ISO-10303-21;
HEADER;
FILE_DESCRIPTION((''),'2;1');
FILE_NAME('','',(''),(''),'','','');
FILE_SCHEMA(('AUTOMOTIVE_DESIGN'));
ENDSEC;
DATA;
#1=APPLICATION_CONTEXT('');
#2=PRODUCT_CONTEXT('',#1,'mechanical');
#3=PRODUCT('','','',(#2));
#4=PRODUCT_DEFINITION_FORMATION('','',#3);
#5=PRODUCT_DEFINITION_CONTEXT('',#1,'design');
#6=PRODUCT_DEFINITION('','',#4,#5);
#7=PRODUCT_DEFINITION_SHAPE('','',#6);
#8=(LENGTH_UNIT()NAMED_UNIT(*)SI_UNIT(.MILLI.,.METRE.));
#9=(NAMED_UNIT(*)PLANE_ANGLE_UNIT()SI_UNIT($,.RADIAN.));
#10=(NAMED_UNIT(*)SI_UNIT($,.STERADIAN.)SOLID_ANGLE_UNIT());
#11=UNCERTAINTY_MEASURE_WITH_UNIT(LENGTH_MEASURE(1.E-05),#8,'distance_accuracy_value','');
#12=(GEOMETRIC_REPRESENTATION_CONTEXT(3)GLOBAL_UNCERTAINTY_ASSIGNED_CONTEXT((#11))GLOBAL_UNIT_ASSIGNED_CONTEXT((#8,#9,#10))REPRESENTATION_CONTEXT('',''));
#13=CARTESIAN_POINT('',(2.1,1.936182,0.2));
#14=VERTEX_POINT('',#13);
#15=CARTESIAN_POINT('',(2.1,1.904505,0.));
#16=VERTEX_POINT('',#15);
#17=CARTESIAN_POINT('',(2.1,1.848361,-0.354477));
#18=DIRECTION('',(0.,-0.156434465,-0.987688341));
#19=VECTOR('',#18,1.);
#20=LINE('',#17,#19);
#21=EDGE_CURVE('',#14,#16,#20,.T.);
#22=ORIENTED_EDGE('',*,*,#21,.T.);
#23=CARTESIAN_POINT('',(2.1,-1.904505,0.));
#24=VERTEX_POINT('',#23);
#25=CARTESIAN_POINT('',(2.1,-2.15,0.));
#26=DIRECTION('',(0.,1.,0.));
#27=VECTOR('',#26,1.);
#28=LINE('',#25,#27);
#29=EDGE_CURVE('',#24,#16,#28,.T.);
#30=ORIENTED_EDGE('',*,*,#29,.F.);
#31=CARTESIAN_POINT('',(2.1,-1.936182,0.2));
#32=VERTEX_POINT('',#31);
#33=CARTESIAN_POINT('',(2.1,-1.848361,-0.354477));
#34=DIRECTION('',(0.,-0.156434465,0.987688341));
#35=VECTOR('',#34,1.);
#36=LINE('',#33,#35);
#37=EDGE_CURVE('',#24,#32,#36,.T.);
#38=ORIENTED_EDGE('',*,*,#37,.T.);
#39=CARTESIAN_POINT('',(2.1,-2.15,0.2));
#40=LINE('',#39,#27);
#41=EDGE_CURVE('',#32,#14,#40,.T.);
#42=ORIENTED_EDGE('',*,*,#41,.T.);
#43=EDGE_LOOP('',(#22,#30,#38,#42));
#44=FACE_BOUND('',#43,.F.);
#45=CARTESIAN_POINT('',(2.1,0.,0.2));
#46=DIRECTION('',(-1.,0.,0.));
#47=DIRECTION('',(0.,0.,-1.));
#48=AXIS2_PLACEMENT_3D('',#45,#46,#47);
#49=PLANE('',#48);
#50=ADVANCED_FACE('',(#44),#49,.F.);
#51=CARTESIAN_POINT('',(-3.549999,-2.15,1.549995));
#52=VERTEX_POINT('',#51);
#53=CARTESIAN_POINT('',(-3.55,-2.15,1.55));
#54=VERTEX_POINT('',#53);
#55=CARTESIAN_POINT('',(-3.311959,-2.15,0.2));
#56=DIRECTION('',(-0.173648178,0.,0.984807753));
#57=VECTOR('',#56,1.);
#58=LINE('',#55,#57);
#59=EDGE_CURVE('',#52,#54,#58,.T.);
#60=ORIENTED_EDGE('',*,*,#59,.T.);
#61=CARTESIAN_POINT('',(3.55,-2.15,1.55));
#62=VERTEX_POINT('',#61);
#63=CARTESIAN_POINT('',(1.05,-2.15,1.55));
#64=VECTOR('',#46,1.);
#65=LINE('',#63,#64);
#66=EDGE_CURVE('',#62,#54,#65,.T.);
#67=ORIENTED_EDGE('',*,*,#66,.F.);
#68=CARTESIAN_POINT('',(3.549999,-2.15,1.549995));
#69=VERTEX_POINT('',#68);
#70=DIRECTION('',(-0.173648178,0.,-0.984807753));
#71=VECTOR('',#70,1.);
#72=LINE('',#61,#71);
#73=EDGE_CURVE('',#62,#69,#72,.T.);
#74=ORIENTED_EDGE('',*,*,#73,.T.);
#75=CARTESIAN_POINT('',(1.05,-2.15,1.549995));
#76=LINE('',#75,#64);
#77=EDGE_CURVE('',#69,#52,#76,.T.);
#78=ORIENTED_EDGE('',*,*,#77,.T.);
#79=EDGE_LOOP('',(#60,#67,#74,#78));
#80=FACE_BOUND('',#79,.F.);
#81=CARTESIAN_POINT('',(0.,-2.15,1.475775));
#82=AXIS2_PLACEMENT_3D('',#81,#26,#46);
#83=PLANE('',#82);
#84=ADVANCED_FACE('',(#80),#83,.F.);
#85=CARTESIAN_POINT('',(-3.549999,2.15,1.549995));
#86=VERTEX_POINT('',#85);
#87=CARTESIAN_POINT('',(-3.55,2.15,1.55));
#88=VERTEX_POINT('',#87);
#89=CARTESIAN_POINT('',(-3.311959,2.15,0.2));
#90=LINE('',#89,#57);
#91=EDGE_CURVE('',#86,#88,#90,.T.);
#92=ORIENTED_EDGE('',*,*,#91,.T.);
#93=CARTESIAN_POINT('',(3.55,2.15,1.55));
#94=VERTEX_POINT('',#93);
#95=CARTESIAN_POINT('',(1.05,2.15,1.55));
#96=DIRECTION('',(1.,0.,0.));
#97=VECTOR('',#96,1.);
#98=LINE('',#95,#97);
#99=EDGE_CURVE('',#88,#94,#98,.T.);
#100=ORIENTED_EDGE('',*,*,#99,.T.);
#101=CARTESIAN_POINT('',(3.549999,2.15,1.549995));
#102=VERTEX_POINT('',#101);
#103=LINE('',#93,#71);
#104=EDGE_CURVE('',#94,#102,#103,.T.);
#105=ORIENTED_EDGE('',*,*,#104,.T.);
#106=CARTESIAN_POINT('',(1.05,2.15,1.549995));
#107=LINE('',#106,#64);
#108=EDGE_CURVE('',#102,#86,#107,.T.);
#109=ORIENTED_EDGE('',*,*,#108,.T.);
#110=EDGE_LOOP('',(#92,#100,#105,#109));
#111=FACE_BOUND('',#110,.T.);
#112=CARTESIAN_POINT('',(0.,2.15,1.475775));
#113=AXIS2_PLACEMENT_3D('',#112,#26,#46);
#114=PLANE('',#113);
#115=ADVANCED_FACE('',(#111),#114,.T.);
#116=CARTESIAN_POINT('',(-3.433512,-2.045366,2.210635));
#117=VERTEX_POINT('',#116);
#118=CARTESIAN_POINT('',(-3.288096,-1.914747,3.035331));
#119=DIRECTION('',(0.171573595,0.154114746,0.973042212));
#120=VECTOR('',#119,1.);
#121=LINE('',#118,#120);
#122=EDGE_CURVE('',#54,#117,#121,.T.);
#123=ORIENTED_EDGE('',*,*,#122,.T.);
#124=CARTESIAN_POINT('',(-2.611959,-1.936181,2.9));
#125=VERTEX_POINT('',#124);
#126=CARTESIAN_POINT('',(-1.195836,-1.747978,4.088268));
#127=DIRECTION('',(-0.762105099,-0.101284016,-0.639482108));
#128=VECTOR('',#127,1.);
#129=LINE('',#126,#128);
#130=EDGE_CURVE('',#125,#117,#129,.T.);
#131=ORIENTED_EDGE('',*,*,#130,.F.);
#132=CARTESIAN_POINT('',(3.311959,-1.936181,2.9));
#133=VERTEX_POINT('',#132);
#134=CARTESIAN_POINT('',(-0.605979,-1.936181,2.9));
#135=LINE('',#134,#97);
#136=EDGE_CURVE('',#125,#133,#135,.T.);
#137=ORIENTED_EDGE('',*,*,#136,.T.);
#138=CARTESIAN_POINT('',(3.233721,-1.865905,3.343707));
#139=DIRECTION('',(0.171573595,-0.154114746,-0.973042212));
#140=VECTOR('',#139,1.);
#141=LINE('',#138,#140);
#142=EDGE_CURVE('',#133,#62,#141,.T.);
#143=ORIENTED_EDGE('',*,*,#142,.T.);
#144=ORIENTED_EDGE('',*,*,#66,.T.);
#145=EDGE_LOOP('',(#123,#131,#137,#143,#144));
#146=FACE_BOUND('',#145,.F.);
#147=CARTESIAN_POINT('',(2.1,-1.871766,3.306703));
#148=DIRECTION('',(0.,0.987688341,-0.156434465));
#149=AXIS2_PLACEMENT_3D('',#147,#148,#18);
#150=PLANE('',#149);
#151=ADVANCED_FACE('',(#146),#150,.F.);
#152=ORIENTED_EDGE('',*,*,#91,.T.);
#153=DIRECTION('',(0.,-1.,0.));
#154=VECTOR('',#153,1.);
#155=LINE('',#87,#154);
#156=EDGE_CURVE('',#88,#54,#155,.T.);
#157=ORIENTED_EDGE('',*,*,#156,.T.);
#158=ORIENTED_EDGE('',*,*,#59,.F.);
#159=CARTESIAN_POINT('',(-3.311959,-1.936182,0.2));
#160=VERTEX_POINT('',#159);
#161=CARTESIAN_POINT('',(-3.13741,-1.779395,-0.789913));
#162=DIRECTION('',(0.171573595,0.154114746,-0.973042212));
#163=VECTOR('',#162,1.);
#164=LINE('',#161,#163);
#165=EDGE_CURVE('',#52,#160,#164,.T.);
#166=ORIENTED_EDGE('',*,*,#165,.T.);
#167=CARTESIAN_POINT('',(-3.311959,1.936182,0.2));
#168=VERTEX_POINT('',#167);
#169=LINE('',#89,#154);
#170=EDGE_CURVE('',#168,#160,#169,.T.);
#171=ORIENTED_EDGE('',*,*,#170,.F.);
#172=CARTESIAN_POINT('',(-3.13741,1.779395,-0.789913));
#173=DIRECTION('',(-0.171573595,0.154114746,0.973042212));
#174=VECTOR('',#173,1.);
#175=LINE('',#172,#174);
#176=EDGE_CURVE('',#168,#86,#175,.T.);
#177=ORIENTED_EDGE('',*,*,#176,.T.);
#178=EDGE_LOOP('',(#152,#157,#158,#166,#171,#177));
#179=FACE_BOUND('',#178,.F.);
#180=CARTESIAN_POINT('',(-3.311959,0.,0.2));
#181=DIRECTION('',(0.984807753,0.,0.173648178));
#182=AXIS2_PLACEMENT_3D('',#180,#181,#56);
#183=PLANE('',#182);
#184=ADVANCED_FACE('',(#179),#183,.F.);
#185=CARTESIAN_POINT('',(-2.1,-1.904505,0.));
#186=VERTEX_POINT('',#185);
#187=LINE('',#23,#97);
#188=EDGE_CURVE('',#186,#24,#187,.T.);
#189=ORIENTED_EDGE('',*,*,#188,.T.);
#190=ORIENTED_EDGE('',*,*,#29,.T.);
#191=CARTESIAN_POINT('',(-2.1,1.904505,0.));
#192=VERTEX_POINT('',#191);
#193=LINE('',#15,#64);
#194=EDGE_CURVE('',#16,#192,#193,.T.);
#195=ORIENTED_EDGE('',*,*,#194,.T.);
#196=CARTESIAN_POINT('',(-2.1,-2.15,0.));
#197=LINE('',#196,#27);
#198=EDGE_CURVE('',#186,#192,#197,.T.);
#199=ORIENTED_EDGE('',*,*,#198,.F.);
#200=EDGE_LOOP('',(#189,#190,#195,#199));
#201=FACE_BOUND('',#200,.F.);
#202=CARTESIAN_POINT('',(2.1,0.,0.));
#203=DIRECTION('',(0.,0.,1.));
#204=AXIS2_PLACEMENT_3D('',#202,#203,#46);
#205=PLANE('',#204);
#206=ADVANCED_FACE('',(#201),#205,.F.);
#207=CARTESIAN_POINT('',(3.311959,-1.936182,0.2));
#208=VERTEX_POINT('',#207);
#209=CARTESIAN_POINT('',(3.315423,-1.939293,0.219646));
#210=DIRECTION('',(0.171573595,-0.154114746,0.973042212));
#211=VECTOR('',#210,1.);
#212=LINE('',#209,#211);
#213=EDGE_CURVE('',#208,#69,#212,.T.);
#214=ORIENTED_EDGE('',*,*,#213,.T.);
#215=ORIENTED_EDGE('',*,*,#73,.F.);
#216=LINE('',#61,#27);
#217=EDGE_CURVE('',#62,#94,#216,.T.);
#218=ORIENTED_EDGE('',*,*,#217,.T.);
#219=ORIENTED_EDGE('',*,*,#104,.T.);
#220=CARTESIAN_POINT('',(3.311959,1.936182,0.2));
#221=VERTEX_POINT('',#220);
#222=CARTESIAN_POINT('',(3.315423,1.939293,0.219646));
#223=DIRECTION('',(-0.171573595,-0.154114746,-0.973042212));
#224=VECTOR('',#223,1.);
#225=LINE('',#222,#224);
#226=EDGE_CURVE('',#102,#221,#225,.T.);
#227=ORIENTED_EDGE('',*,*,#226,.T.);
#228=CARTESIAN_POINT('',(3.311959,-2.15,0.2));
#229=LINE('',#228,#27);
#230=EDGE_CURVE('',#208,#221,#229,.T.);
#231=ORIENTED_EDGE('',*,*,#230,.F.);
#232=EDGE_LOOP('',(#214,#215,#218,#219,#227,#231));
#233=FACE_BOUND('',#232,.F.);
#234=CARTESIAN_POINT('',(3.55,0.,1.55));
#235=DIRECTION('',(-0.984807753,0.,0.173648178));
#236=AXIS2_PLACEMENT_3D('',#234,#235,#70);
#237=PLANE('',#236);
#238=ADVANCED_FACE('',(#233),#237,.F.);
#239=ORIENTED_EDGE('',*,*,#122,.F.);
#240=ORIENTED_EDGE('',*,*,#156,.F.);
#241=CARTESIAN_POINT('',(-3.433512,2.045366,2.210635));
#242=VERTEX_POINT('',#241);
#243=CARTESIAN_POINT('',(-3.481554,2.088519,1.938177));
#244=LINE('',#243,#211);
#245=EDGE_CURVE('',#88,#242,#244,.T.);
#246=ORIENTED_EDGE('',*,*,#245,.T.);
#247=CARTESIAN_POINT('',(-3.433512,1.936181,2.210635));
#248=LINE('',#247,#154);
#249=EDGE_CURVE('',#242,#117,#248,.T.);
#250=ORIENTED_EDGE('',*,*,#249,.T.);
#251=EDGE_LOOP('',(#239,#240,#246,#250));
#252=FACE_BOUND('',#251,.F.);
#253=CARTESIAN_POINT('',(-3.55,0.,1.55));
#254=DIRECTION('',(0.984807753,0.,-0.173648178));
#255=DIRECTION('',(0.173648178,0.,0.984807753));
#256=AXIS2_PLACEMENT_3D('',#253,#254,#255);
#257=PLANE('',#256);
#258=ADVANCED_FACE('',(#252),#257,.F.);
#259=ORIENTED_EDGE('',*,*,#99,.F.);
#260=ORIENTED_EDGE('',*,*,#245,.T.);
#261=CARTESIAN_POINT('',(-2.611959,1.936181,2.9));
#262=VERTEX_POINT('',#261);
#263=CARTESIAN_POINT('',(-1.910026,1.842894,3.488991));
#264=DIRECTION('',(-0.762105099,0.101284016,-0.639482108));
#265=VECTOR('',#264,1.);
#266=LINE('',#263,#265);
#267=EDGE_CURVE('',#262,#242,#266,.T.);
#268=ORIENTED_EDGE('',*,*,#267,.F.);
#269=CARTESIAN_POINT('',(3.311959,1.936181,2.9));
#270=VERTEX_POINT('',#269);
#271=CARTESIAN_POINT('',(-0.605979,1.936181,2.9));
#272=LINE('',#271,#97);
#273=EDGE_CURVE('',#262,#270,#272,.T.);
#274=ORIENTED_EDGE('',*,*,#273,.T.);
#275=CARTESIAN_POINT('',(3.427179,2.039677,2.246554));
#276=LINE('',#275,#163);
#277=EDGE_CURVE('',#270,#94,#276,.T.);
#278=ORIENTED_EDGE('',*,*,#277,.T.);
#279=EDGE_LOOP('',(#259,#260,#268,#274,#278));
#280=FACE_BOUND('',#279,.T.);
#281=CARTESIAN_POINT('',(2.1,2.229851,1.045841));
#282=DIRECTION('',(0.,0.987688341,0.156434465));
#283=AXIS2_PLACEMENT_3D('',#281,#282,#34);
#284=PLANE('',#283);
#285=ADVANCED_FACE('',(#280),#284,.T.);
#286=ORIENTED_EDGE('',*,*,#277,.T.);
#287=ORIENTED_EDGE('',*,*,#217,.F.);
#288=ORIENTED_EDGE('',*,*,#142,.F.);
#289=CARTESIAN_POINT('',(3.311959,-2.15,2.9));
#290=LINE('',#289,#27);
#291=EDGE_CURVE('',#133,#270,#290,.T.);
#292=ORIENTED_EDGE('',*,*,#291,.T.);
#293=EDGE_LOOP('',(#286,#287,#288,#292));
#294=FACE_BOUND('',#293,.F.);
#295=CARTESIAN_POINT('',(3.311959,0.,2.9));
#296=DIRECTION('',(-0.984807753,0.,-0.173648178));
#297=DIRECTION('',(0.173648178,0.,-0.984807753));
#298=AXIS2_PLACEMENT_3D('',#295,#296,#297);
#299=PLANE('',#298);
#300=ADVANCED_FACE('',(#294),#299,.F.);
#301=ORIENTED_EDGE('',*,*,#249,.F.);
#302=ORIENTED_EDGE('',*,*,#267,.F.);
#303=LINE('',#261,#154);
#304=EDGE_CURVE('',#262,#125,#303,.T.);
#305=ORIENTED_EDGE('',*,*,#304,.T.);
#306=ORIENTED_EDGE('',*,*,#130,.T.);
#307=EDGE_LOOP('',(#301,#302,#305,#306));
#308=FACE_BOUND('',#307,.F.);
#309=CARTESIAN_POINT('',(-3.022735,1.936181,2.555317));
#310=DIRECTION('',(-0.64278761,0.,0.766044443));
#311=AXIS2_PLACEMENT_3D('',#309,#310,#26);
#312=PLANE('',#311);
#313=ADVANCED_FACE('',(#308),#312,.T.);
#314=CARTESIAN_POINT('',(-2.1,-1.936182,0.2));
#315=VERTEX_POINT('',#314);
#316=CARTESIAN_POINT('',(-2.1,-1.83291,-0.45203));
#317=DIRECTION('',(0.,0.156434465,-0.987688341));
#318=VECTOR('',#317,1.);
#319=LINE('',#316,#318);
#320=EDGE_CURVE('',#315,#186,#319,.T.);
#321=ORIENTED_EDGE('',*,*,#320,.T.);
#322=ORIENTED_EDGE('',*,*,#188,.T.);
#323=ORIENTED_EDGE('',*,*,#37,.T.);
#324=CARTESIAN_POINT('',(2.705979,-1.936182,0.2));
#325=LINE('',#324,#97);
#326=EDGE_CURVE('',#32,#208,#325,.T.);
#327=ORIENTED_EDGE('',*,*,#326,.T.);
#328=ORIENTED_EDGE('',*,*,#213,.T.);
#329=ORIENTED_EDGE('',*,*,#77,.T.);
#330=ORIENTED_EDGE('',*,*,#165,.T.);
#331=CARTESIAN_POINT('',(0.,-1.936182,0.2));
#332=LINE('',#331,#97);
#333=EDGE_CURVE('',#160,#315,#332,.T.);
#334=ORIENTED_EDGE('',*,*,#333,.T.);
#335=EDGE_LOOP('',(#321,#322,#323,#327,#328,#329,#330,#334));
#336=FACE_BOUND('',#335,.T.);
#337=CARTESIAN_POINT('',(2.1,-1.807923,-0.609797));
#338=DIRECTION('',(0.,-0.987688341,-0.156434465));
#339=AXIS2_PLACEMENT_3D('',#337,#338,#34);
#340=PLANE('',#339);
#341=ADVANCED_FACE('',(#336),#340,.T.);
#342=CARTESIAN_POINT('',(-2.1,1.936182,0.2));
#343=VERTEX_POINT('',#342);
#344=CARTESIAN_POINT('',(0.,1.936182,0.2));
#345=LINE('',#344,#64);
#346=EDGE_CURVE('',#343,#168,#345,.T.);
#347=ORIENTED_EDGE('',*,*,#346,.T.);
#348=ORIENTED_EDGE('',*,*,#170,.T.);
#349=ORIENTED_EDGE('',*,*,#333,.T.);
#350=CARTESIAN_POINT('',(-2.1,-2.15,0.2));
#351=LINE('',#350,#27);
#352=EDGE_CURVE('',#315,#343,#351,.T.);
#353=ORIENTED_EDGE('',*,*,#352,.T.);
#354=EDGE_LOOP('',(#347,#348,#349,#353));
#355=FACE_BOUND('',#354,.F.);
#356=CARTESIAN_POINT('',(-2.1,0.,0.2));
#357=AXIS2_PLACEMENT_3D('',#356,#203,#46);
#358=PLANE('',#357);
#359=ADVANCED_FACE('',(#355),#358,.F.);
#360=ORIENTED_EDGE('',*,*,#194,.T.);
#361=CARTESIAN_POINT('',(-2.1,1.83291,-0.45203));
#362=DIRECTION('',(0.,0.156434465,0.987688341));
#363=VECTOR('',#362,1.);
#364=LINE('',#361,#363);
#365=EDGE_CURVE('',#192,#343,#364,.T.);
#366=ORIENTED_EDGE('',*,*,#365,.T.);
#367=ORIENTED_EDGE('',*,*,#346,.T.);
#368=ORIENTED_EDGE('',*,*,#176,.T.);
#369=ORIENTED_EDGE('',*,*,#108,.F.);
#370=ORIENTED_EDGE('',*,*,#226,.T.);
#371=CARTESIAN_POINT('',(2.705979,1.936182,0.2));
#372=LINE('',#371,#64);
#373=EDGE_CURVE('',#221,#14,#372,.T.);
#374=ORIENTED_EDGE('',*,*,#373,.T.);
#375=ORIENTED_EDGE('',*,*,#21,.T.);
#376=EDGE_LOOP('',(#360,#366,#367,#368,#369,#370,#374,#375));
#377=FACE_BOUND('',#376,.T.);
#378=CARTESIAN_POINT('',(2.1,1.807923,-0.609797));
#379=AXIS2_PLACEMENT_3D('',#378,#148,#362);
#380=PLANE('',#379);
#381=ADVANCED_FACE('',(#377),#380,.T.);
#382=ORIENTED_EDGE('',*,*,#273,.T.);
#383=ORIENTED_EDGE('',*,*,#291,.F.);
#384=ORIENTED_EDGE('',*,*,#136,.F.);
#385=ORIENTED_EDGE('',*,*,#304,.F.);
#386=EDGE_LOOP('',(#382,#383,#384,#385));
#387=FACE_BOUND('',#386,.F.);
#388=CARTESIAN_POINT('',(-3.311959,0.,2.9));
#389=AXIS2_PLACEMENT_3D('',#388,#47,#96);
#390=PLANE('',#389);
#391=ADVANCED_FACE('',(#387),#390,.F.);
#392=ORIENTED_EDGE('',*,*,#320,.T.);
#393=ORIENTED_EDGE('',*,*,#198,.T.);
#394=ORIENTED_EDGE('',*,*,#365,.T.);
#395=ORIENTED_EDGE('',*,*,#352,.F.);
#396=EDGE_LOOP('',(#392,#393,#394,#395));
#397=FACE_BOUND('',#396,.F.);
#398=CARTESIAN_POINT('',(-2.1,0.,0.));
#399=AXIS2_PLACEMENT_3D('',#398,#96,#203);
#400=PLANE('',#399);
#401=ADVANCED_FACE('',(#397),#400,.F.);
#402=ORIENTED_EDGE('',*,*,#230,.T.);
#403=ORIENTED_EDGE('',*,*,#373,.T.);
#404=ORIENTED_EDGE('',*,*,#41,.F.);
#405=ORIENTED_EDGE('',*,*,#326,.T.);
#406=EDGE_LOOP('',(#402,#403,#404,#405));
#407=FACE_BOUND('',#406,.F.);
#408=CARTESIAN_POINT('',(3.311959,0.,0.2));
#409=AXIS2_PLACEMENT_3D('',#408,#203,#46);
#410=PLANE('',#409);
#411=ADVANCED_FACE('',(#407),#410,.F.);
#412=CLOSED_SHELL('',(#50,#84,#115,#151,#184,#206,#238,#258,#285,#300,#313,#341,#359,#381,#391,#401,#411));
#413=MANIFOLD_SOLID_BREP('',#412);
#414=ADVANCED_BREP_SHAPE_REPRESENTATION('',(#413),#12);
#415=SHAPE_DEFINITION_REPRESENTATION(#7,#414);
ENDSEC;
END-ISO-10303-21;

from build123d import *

# Parameters (mm, degrees)
PAD002_DEPTH    = 2.15
POCKET004_DEPTH = 10
POCKET005_DEPTH = 12.5
CHAMFER001_SIZE = 0.7


with BuildPart() as part:
    # Sketch011 → Pad002 (new body, symmetric)
    with BuildSketch(Plane.XZ):
        Polygon((-3.311958576, 2.9), (3.311958576, 2.9), (3.55, 1.55), (3.311958576, 0.2), (2.1, 0.2), (2.1, 0), (-2.1, 0), (-2.1, 0.2), (-3.311958576, 0.2), (-3.55, 1.55), align=None)
    extrude(amount=PAD002_DEPTH, both=True)

    # Sketch012 → Pocket004 (cut, symmetric)
    with BuildSketch(Plane(origin=(2.1, 0, 0), x_dir=(0, 0, 1), z_dir=(1, 0, 0))):
        Polygon((2.9220926693, 2.229851), (3.3067026402, 1.8717656945), (1.045841, 2.229851), align=None)
        Polygon((3.3067026402, -1.8717656945), (2.9220926693, -2.229851), (1.045841, -2.229851), align=None)
    extrude(amount=POCKET004_DEPTH, both=True, mode=Mode.SUBTRACT)

    # Sketch013 → Pocket005 (cut, symmetric)
    with BuildSketch(Plane(origin=(2.1, 0, 0), x_dir=(0, 0, 1), z_dir=(1, 0, 0))):
        Polygon((2.1937543082, 2.2519614985), (-0.4776096389, 2.2519614985), (-0.6097972306, 1.8079225571), align=None)
        Polygon((2.1937543082, -2.2519614985), (-0.4776096389, -2.2519614985), (-0.6097972306, -1.8079225571), align=None)
    extrude(amount=POCKET005_DEPTH, both=True, mode=Mode.SUBTRACT)

    # Chamfer001
    chamfer001_edges = [part.edges().sort_by_distance(p)[0] for p in [
        (-3.311959, 0, 2.9),
    ]]
    chamfer(chamfer001_edges, length=CHAMFER001_SIZE)


solid = part.part
